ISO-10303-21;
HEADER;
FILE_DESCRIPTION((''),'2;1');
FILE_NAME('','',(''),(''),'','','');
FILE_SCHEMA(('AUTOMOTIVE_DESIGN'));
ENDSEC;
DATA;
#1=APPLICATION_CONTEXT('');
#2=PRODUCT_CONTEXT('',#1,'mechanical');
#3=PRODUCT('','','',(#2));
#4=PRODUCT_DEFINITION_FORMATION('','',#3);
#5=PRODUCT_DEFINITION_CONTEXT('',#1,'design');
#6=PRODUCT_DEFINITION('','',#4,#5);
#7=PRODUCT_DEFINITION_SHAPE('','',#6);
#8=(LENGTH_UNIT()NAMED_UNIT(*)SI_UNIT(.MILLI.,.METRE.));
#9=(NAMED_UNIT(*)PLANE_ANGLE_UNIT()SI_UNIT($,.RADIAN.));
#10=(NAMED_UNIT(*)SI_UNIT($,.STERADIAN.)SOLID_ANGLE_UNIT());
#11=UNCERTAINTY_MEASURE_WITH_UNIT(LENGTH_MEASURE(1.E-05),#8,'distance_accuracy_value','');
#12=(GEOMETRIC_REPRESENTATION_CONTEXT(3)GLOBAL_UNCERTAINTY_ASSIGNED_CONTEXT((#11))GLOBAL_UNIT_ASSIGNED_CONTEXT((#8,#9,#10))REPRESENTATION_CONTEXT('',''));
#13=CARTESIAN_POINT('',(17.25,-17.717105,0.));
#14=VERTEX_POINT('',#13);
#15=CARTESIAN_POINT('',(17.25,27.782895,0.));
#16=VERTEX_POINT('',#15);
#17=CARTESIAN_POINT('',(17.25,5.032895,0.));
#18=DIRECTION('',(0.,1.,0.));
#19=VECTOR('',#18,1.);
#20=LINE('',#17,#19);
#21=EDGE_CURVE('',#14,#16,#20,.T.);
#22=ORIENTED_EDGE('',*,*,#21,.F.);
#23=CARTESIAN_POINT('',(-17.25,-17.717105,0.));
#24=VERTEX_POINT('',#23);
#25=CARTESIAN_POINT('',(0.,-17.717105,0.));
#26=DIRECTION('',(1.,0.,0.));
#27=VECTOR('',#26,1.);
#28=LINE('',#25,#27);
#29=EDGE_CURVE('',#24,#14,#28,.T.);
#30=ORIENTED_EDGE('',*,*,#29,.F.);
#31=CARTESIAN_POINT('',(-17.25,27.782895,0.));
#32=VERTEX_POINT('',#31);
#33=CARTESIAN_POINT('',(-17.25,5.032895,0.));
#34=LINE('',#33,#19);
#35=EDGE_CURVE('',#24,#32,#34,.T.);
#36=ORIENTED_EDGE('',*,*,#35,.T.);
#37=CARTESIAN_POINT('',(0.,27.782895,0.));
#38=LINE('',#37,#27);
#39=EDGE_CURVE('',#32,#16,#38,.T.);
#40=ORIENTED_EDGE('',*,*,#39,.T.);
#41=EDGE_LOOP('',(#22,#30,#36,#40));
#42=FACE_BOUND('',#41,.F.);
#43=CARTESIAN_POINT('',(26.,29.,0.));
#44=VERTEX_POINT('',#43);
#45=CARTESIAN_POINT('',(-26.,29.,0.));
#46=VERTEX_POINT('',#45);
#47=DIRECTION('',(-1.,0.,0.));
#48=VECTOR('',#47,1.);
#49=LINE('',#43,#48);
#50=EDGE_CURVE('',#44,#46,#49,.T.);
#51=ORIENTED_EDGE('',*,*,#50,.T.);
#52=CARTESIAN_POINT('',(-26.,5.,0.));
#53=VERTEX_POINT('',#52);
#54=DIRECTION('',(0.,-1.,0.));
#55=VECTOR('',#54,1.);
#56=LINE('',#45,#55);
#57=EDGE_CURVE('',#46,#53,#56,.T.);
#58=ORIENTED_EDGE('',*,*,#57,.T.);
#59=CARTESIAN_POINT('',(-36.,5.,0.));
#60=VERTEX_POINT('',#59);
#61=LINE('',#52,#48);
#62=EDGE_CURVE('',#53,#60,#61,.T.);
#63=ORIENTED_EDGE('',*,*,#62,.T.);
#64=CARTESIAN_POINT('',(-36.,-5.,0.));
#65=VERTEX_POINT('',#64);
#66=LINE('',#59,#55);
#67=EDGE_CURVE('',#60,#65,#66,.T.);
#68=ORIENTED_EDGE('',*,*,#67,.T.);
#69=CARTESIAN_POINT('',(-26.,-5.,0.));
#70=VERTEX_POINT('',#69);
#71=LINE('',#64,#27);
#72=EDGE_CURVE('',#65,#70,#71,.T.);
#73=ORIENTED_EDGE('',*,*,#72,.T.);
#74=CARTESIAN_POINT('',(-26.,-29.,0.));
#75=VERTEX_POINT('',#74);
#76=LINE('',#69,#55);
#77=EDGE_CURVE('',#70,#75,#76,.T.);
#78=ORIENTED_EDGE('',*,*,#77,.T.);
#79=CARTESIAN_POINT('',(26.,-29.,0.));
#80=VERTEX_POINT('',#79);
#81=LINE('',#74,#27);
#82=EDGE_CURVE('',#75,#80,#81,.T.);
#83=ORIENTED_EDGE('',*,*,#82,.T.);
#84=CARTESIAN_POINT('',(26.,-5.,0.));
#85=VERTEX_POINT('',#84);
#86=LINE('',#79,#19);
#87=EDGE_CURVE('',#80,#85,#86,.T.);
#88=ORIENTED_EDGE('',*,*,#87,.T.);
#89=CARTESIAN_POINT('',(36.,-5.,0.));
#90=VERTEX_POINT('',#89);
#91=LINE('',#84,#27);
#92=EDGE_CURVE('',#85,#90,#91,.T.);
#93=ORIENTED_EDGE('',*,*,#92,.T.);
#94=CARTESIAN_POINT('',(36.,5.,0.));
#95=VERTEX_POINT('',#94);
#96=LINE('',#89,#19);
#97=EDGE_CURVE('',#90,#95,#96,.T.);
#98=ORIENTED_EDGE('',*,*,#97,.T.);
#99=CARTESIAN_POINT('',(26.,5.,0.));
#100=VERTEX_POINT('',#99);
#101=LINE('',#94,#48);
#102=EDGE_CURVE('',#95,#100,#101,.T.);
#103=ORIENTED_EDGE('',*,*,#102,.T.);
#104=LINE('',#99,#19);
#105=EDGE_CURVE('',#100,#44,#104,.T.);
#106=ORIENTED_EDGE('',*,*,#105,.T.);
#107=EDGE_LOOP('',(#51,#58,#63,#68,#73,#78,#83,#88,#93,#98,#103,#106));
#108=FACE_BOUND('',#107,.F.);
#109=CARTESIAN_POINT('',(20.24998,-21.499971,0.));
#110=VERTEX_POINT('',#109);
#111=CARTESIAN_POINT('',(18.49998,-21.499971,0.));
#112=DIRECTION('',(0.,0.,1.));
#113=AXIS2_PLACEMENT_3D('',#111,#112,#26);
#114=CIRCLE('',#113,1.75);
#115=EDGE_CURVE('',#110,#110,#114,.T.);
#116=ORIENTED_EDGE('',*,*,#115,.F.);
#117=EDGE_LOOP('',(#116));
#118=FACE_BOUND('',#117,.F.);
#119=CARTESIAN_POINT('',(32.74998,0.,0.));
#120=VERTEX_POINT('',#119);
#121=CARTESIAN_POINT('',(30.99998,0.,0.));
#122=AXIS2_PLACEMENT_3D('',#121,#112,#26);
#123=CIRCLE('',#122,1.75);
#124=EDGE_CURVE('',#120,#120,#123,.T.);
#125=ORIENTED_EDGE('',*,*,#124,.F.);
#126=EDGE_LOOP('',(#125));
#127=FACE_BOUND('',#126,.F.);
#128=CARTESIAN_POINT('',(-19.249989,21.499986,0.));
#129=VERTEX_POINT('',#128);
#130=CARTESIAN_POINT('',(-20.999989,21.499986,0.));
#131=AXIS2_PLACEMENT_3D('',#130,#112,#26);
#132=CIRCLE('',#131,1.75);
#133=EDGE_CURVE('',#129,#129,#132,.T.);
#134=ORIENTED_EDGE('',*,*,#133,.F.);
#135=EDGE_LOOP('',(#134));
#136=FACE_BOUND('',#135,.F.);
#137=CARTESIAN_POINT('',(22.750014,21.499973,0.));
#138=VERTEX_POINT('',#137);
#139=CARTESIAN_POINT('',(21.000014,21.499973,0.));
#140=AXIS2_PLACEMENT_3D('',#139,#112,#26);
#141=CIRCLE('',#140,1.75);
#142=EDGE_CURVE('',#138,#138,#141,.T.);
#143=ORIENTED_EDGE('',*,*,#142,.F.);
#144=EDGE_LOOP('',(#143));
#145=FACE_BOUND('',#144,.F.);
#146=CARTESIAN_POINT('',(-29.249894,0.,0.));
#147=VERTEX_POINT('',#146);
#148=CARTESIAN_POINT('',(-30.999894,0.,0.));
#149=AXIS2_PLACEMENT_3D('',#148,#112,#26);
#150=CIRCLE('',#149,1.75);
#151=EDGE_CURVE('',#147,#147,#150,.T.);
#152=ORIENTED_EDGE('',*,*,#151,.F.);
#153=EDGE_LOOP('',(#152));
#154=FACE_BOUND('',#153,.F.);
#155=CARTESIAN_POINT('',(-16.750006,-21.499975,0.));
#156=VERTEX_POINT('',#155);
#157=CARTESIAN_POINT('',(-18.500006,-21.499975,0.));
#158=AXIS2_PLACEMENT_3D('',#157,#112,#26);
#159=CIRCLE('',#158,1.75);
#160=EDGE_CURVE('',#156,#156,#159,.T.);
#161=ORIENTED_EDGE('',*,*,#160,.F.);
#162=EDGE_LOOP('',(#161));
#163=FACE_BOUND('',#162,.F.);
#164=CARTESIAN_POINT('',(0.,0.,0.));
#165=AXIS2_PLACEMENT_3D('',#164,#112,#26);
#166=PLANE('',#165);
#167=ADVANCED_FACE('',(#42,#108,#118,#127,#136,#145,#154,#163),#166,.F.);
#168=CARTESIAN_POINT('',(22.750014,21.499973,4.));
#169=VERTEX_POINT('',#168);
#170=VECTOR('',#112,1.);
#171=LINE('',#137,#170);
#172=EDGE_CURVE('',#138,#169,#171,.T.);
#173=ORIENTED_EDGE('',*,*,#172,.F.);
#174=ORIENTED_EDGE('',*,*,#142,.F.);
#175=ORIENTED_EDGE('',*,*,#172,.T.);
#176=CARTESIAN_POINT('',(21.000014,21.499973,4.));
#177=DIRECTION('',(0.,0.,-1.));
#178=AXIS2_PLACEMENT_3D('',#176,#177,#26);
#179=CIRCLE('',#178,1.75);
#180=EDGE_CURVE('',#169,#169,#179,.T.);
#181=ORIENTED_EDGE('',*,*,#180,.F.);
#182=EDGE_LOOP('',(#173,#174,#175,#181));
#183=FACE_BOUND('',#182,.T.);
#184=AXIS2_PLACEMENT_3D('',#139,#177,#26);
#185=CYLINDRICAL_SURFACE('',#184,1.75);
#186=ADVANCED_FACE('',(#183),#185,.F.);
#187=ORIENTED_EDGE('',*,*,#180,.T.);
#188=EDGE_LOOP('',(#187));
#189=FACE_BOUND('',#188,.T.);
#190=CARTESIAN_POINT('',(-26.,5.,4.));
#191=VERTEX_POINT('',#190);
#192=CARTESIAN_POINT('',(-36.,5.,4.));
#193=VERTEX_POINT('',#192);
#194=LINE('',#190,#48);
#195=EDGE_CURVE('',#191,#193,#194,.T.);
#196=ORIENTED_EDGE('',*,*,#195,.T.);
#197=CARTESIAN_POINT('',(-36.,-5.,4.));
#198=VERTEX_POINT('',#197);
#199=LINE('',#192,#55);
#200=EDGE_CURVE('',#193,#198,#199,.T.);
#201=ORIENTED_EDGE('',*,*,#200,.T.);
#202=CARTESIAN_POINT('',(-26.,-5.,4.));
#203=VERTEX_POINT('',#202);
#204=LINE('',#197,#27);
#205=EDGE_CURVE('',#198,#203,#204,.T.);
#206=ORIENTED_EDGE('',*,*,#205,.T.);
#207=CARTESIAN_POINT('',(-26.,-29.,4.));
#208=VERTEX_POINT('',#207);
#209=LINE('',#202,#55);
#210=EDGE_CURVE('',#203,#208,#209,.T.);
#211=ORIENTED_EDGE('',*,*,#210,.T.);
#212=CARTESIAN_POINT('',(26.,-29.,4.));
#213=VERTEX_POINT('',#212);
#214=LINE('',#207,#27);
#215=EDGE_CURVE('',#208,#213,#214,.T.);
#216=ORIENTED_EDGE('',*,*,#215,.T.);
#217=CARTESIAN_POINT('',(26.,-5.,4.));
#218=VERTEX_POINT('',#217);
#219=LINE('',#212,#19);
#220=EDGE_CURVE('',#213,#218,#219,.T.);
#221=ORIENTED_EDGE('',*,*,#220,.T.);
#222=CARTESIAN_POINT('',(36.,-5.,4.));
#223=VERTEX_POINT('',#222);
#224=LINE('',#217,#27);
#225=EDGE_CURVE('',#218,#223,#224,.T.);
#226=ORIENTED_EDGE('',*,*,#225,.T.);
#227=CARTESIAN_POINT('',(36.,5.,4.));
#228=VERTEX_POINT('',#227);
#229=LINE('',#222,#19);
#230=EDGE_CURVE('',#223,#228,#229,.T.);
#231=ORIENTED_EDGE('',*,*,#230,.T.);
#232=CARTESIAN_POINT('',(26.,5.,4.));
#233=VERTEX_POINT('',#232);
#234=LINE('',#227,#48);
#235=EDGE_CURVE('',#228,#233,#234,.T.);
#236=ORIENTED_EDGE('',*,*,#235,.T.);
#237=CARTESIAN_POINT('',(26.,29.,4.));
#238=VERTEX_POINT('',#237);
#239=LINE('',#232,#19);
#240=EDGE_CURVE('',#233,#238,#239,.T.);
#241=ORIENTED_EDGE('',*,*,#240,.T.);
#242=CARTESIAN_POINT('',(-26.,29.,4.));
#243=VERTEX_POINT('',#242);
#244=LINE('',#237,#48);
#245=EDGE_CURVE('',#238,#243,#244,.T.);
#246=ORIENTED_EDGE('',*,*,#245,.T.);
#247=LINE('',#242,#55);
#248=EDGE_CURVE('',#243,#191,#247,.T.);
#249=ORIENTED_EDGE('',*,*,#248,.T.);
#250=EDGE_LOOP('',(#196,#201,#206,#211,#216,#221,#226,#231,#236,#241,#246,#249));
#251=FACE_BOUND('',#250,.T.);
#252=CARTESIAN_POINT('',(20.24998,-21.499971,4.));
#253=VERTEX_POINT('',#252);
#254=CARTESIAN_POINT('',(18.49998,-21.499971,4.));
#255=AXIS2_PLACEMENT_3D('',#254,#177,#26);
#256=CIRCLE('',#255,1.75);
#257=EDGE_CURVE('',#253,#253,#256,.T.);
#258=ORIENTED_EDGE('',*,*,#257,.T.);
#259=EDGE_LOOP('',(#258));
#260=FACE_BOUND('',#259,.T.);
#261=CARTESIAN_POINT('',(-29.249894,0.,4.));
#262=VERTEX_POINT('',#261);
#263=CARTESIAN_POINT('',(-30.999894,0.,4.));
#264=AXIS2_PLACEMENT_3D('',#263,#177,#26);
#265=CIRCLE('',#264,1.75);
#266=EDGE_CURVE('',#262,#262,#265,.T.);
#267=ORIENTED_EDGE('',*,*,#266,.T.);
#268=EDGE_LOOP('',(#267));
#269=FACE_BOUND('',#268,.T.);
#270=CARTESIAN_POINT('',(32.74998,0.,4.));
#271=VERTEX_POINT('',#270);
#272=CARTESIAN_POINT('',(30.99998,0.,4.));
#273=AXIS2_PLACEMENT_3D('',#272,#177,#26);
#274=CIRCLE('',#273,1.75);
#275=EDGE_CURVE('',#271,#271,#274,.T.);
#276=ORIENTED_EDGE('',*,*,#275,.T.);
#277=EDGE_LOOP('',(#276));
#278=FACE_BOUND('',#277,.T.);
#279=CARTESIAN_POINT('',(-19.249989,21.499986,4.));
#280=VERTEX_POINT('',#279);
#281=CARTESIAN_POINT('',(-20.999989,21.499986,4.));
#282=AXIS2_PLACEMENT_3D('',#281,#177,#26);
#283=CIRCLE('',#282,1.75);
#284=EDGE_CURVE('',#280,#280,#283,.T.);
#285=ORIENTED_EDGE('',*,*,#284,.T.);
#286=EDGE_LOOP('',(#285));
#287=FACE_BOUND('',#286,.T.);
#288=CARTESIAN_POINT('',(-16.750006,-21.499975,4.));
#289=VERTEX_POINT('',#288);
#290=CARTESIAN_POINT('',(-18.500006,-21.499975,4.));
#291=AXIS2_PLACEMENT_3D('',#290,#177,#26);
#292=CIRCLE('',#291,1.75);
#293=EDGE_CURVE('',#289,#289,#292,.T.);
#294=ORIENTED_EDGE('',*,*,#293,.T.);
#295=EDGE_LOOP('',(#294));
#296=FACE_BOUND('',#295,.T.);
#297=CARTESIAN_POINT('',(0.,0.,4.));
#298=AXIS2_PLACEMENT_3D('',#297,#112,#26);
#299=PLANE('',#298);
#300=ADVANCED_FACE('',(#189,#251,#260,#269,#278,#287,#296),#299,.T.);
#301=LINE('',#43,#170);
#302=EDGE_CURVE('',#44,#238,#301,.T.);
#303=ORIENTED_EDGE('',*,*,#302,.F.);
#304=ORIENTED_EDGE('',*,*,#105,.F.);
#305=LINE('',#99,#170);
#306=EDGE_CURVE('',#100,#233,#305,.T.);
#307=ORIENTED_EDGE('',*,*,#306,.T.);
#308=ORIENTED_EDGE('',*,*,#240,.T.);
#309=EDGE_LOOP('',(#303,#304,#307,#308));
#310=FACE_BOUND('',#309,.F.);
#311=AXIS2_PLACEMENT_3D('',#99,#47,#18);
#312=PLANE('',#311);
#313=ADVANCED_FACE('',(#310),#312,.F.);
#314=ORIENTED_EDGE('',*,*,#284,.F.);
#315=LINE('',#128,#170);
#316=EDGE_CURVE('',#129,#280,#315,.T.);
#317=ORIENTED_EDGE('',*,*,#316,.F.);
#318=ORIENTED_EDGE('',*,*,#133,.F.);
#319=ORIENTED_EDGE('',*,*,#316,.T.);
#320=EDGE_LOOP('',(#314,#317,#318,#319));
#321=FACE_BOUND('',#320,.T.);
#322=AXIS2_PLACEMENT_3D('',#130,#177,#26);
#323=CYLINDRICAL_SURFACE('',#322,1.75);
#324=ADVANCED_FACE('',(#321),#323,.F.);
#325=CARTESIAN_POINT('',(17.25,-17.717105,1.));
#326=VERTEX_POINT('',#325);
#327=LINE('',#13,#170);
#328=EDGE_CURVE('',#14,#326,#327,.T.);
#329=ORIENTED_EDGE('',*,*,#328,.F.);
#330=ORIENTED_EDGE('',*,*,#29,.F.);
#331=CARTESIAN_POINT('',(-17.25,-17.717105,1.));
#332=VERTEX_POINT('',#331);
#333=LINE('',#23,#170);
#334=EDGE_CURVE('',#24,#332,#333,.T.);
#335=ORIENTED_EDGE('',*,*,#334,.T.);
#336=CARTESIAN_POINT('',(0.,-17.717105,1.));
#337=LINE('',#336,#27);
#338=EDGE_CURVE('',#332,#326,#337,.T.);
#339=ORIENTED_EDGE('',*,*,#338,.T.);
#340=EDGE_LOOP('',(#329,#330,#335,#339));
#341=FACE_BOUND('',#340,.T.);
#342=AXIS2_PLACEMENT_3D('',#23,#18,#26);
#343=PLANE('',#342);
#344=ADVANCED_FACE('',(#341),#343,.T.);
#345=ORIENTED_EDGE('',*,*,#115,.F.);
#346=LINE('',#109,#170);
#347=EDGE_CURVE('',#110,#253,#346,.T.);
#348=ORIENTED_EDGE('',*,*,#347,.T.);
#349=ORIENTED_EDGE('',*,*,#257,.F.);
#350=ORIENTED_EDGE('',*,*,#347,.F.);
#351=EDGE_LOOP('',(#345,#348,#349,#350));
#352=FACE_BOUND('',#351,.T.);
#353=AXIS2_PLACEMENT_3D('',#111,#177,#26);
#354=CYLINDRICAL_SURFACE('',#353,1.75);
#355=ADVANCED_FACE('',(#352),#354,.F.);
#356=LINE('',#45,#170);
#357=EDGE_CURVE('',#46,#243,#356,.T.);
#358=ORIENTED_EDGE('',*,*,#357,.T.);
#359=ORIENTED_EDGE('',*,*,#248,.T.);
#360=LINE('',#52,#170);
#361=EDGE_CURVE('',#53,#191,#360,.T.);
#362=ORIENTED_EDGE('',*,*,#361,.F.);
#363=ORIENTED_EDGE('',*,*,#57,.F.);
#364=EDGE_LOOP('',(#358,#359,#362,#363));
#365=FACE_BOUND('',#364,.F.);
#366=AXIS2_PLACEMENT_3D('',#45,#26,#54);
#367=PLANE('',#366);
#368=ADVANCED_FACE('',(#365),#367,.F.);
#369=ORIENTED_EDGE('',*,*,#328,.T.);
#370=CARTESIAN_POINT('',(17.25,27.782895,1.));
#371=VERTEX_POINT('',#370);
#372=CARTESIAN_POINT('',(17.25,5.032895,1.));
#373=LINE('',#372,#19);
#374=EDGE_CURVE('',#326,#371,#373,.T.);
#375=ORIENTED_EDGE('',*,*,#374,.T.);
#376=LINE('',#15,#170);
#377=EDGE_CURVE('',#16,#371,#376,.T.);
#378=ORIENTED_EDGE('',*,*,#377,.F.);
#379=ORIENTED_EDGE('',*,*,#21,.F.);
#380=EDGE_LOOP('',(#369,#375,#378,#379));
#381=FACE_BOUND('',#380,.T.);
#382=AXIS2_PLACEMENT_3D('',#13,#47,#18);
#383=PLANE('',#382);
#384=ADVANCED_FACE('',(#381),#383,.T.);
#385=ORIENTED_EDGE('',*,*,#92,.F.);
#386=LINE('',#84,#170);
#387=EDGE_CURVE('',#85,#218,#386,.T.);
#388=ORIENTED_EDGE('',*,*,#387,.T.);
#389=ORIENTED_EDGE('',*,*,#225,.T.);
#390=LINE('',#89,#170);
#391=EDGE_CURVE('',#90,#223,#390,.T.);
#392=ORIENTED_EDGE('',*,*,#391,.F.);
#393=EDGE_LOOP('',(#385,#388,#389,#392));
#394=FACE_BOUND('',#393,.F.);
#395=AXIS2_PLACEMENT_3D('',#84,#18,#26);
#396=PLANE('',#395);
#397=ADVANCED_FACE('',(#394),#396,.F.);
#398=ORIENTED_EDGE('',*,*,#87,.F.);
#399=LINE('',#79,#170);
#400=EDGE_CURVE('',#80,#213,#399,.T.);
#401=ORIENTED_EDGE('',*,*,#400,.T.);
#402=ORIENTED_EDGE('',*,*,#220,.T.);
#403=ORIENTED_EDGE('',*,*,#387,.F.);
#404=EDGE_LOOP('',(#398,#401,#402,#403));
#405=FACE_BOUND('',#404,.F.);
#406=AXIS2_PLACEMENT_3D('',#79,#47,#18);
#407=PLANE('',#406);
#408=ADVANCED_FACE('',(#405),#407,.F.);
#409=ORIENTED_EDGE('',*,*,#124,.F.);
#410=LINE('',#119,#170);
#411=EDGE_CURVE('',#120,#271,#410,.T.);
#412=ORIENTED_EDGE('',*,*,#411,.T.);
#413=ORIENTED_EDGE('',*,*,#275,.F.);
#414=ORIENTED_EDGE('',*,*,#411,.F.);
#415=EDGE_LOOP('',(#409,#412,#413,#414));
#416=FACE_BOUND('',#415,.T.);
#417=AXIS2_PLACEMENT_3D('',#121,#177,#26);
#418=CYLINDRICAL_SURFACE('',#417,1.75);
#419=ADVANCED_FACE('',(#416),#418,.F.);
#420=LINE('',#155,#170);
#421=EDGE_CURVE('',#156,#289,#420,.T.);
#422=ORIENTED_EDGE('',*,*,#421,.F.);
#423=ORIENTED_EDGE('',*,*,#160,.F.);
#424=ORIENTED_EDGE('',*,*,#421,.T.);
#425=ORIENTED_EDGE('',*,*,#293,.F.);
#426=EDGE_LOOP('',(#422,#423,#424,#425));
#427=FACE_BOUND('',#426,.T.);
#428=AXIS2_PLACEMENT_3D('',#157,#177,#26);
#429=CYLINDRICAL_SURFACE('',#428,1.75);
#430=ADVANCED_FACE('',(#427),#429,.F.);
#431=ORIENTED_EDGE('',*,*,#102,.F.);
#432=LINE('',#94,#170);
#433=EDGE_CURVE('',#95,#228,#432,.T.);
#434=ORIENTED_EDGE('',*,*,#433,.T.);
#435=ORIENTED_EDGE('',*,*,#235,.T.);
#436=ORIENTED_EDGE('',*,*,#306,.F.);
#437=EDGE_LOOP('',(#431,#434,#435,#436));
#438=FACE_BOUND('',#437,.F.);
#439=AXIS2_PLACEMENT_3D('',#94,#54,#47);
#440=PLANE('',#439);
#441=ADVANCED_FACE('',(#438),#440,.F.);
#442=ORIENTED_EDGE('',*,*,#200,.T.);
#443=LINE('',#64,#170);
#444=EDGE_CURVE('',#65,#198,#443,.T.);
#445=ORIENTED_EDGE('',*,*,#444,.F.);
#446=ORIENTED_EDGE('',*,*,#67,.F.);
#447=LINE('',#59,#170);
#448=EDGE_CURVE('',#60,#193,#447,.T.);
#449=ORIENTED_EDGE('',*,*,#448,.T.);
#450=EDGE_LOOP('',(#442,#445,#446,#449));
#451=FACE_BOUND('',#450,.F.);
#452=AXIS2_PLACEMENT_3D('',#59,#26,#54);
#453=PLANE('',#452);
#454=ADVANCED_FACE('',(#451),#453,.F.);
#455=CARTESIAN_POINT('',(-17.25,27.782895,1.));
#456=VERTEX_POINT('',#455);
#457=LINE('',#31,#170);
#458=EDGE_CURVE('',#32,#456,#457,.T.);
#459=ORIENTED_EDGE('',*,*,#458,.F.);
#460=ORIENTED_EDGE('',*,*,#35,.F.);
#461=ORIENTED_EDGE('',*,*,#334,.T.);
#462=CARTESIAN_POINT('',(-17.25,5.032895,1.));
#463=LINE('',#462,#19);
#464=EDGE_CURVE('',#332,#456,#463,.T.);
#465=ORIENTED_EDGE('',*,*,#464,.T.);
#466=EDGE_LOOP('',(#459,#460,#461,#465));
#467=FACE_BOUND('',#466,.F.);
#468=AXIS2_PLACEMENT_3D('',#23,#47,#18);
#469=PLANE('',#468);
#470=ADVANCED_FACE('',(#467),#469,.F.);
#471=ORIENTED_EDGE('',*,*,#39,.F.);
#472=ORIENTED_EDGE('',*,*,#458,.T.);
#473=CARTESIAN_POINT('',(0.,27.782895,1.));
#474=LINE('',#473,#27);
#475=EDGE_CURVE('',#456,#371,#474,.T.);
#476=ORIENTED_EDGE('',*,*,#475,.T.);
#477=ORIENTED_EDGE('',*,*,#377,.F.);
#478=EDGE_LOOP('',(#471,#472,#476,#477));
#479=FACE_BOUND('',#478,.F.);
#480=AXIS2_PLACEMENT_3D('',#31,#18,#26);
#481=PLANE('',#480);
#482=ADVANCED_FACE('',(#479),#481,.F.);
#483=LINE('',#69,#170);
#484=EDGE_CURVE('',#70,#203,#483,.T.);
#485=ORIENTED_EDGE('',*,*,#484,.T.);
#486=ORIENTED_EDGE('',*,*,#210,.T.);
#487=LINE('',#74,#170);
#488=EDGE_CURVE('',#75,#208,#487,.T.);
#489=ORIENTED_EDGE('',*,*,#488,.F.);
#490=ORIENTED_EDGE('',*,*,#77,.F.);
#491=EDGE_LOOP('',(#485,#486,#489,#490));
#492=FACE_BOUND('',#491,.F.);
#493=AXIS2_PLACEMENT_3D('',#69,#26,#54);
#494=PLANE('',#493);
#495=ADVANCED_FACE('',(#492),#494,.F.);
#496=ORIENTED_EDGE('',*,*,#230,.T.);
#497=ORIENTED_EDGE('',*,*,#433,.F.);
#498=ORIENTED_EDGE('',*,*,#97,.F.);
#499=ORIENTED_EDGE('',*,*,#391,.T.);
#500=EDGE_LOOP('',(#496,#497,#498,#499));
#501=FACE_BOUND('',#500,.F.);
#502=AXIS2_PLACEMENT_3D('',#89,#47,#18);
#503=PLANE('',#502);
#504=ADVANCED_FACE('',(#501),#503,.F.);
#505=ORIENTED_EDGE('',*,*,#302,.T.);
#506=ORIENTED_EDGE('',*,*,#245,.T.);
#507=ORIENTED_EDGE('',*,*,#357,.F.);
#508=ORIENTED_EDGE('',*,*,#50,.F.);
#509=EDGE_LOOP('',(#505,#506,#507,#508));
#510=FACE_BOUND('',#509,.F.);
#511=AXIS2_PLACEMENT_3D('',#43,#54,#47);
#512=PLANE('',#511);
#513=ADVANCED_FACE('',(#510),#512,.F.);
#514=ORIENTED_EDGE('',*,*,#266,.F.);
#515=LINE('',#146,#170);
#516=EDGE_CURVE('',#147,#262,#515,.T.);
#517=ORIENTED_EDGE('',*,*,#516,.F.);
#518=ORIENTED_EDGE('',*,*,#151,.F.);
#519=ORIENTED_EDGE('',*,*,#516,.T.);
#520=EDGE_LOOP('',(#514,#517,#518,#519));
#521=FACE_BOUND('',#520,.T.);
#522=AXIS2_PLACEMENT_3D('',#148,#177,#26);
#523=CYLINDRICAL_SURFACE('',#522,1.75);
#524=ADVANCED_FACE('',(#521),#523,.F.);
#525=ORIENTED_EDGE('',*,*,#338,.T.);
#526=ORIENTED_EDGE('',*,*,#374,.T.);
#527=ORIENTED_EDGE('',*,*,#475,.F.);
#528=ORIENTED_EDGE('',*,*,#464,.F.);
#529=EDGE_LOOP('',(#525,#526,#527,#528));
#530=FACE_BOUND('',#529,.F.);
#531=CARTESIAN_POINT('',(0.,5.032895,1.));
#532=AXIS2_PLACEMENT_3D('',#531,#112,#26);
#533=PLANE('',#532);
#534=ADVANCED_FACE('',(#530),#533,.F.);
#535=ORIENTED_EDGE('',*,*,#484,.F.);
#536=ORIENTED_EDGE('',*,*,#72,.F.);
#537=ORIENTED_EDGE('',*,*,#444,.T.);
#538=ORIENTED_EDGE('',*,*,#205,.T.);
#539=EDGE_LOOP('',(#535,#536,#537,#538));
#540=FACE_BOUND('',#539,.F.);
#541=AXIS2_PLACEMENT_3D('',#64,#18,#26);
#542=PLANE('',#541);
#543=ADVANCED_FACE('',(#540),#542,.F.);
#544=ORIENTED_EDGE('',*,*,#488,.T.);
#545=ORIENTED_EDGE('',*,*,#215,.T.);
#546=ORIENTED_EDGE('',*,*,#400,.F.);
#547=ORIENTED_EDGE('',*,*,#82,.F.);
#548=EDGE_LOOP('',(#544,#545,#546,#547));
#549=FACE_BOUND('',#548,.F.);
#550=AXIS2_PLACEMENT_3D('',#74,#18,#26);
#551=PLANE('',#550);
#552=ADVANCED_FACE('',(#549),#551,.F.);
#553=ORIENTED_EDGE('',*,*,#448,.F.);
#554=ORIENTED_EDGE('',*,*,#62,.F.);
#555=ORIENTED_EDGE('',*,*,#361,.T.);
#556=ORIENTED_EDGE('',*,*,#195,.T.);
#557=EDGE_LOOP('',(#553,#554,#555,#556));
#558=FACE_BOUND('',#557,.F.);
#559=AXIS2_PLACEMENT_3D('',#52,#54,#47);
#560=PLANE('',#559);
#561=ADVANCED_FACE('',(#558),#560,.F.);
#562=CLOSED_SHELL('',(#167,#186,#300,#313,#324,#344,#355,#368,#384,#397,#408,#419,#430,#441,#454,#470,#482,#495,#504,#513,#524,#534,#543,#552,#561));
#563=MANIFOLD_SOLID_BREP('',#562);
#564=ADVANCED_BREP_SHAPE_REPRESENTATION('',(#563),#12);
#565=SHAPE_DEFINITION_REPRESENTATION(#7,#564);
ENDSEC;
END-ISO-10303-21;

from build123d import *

# Parameters (mm, degrees)
F1_DEPTH = 4
F2_W     = 34.5
F2_H     = 45.5
F3_DEPTH = 1
F4_R     = 1.75
F5_DEPTH = 25


with BuildPart() as f1:
    # F0 (on Top) → F1 (new body)
    with BuildSketch(Plane.XY):
        Polygon((26, 5), (26, 29), (-26, 29), (-26, 5), (-36, 5), (-36, -5), (-26, -5), (-26, -29), (26, -29), (26, -5), (36, -5), (36, 5), align=None)
    extrude(amount=F1_DEPTH)

    # F2 (on Top) → F3 (cut)
    with BuildSketch(Plane.XY):
        with Locations((0, 5.032895)):
            Rectangle(F2_W, F2_H)
    extrude(amount=F3_DEPTH, mode=Mode.SUBTRACT)

    # F4 (on Top) → F5 (cut)
    with BuildSketch(Plane.XY):
        with Locations((-18.500006, -21.499975)):
            Circle(F4_R)
        with Locations((18.49998, -21.499971)):
            Circle(F4_R)
        with Locations((-20.999989, 21.499986)):
            Circle(F4_R)
        with Locations((21.000014, 21.499973)):
            Circle(F4_R)
        with Locations((-30.999894, 0)):
            Circle(F4_R)
        with Locations((30.99998, 0)):
            Circle(F4_R)
    extrude(amount=F5_DEPTH, mode=Mode.SUBTRACT)


solid = f1.part
